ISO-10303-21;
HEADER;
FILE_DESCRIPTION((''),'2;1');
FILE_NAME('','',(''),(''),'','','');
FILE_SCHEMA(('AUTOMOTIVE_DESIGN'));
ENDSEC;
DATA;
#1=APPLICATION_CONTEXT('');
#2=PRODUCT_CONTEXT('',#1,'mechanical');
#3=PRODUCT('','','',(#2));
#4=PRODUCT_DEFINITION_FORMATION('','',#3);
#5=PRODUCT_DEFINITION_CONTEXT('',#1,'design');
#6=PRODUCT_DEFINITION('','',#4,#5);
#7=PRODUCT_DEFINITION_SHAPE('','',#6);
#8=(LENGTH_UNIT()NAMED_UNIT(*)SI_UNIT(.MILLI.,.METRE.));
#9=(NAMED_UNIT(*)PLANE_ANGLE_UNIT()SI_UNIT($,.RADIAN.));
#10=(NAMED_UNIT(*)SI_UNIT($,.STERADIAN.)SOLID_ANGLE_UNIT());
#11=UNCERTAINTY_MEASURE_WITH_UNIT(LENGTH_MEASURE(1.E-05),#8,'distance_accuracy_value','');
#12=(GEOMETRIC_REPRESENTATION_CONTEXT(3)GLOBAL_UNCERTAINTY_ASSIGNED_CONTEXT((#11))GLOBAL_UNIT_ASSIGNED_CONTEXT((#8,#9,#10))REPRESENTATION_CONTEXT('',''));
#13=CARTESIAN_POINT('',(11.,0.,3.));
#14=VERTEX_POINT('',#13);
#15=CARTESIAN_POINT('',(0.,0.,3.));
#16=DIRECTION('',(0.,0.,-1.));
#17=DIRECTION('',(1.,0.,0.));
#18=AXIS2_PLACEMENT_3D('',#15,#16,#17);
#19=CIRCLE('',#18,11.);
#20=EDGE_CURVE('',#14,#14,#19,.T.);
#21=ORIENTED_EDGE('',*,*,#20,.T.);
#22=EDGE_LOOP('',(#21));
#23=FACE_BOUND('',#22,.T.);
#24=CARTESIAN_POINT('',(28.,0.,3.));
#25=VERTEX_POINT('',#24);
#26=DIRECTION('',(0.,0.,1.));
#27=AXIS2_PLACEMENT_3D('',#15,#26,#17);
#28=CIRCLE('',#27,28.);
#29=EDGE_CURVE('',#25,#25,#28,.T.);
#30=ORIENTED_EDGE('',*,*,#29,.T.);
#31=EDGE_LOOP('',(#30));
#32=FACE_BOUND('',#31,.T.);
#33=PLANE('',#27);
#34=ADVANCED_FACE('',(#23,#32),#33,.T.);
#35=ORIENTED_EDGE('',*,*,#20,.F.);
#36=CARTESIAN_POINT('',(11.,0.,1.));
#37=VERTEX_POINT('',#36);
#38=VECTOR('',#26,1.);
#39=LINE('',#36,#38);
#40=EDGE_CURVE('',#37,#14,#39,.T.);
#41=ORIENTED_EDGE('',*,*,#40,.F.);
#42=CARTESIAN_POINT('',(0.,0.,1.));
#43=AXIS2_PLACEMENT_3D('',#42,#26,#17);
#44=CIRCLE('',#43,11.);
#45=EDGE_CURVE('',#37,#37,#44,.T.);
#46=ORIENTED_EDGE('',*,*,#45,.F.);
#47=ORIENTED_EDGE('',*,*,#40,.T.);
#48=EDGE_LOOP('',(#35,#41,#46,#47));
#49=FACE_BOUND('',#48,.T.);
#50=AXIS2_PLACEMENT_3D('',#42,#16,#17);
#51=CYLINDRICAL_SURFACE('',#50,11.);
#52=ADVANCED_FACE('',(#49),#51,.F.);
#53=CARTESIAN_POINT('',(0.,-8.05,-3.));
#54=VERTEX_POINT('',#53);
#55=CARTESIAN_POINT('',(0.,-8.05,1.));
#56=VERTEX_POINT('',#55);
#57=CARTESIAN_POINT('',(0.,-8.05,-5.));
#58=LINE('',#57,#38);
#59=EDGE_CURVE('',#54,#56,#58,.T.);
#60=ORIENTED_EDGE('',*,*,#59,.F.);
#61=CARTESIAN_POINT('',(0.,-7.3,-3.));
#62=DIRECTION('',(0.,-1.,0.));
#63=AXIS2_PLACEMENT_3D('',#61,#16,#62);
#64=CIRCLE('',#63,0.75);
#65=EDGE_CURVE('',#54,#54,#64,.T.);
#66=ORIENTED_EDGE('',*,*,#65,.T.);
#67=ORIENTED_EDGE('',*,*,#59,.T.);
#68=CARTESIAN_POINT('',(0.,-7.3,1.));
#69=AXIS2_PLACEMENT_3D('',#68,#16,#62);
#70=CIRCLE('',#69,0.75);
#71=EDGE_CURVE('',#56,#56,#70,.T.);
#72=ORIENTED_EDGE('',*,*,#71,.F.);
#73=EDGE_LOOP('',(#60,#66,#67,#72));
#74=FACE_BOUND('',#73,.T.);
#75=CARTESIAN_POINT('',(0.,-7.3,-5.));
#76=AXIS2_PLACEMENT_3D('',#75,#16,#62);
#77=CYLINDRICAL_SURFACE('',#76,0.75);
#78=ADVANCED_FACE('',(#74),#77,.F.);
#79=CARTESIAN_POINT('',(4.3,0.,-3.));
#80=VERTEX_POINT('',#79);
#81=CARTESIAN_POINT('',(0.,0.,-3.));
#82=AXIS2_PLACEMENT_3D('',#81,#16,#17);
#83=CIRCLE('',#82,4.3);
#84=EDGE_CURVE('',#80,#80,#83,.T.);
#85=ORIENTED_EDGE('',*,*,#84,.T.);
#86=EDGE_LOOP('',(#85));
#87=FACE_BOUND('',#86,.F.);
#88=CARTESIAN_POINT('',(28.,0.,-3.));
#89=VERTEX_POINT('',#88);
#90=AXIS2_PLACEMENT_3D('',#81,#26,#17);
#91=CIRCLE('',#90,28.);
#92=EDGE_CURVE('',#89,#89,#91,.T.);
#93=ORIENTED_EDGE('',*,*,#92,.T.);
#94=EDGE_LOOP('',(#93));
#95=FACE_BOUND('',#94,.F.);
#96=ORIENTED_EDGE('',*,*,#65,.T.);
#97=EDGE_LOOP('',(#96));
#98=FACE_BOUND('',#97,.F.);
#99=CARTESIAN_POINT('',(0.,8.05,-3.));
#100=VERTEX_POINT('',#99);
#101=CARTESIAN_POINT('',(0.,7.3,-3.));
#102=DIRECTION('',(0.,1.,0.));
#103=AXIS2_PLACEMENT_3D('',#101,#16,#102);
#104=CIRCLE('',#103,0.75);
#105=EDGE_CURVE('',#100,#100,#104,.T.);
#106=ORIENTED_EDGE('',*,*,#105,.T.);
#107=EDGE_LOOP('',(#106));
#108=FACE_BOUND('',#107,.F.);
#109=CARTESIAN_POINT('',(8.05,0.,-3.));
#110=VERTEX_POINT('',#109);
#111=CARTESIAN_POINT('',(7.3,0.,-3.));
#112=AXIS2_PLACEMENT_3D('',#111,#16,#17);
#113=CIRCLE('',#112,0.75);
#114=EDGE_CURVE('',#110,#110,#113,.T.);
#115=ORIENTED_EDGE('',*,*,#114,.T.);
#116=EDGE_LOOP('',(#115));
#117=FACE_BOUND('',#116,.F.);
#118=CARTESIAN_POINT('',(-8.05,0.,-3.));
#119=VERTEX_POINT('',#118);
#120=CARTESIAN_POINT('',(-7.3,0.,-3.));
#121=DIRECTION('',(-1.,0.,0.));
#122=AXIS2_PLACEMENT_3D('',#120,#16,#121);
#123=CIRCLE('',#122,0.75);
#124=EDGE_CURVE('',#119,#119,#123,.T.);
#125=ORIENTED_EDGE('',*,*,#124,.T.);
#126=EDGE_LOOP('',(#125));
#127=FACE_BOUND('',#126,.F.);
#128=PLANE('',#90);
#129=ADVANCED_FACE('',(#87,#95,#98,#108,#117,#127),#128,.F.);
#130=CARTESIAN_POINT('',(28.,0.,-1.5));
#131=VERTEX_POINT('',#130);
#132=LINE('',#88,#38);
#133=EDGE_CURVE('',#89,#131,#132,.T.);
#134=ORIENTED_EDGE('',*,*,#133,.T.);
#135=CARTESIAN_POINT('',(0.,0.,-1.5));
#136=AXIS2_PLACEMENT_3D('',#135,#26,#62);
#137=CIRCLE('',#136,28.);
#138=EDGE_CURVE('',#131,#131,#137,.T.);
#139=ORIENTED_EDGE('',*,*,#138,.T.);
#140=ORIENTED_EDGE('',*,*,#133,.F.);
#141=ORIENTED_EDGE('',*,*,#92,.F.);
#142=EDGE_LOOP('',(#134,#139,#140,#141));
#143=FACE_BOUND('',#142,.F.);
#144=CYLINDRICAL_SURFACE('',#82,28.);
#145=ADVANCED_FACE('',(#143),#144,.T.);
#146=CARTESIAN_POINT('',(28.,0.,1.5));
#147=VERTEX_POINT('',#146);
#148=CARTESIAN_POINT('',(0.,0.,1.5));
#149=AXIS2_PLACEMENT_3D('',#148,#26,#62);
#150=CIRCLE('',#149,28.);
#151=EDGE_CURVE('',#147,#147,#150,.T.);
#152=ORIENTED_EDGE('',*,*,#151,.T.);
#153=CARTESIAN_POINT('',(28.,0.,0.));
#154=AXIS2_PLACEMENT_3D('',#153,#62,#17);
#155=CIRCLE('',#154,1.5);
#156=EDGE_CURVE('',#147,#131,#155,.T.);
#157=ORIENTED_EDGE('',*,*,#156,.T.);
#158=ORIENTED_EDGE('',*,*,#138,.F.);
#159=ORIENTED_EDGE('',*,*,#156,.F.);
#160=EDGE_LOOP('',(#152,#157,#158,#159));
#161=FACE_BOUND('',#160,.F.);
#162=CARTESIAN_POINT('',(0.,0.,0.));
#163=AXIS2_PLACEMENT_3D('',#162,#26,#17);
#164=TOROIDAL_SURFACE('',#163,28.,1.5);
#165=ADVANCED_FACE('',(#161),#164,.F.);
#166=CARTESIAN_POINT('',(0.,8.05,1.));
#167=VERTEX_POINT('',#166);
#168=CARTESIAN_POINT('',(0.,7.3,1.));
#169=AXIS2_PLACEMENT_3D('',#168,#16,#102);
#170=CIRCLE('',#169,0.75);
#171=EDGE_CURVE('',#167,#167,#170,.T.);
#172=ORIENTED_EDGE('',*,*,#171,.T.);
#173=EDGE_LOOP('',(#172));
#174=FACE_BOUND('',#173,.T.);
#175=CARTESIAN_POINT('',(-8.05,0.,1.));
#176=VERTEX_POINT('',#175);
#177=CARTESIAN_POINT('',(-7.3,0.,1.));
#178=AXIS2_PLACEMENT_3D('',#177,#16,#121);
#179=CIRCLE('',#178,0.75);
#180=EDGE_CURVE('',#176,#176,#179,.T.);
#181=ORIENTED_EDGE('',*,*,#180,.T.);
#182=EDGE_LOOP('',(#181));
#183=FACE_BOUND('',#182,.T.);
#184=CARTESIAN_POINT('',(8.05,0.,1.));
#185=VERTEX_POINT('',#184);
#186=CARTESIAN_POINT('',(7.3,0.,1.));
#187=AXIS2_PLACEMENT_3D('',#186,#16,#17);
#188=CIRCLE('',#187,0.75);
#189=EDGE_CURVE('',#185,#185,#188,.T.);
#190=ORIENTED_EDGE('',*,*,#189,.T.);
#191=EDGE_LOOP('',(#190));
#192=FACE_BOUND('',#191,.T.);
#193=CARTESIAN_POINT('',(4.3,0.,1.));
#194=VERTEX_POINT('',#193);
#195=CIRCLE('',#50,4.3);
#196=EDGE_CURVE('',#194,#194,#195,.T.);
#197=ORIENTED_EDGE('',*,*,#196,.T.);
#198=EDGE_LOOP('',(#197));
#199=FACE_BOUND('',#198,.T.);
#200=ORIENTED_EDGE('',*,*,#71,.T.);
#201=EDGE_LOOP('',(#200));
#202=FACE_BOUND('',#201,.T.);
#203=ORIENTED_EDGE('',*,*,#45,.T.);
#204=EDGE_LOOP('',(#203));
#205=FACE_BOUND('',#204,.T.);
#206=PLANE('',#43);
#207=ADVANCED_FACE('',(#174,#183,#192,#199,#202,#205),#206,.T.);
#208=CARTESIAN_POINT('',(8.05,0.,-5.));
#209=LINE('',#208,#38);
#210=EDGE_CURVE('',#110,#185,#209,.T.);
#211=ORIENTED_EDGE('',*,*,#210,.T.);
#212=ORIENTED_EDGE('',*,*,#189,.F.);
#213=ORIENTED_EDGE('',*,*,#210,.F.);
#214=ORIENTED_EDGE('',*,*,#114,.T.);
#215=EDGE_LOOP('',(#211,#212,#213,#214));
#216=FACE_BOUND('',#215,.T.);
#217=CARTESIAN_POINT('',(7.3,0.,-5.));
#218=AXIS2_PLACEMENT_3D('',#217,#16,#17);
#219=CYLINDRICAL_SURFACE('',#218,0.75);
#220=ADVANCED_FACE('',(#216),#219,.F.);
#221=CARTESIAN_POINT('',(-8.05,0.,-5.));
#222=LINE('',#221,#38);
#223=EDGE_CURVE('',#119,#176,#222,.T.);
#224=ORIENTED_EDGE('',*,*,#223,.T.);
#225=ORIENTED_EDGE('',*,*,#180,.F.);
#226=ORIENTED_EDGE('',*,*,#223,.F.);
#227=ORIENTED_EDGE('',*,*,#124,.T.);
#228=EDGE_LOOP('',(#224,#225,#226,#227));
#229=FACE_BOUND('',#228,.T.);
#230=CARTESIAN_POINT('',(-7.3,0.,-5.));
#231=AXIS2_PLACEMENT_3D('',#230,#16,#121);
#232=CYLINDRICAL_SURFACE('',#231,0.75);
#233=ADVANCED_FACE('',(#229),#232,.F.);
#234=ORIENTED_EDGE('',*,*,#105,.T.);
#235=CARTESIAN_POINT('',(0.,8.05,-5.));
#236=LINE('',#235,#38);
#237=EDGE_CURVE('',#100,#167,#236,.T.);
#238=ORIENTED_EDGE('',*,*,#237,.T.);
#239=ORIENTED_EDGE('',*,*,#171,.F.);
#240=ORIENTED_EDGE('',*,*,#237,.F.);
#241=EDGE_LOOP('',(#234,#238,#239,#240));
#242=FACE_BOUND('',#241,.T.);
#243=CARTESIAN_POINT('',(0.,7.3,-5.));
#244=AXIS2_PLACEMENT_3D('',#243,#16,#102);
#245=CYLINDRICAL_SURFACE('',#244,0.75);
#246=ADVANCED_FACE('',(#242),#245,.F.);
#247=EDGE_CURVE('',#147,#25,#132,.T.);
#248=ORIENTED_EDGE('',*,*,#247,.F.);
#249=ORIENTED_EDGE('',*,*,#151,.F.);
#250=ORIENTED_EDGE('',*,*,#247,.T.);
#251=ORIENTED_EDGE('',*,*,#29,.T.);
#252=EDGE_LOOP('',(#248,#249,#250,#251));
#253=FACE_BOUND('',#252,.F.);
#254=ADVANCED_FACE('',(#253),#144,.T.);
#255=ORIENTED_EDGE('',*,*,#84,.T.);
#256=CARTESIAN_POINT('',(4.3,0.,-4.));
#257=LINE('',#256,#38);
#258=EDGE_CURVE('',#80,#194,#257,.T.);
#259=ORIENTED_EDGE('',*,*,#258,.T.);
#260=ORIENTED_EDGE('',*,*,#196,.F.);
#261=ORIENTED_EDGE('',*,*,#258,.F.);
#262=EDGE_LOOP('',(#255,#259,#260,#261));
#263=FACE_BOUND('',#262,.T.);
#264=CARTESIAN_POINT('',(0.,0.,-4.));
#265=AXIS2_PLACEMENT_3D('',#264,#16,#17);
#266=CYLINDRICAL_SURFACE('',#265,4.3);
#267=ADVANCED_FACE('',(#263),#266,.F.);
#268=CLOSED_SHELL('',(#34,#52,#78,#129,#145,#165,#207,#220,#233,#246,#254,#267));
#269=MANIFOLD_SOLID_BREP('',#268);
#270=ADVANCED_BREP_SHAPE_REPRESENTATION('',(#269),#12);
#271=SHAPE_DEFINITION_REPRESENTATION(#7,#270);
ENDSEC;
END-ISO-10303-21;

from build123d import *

# Parameters (mm, degrees)
CYLINDER003_R     = 0.75
CYLINDER003_DEPTH = 10
ARRAY_COUNT       = 4
CYLINDER002_R     = 4.3
CYLINDER002_DEPTH = 10
CYLINDER001_R     = 11
CYLINDER001_DEPTH = 10
TORUS_R           = 1.5
CYLINDER_R        = 28
CYLINDER_DEPTH    = 6


with BuildPart() as array:
    # Cylinder003 → Cylinder003 (new body)
    with BuildSketch(Plane(origin=(7.3, 0, -5), x_dir=(1, 0, 0), z_dir=(0, 0, 1))):
        Circle(CYLINDER003_R)
    extrude(amount=CYLINDER003_DEPTH)

    # Array: Array ×4 about axis
    array_axis = Axis((0, 0, 0), (0, 0, 1))


with BuildPart() as array_1:
    add(array.part)
    for i in range(1, ARRAY_COUNT):
        add(array.part.rotate(array_axis, i * 360 / ARRAY_COUNT))


with BuildPart() as hueco_del_eje:
    # Cylinder002 → Cylinder002 (new body)
    with BuildSketch(Plane.XY.offset(-4)):
        Circle(CYLINDER002_R)
    extrude(amount=CYLINDER002_DEPTH)


with BuildPart() as corona_servo:
    # Cylinder001 → Cylinder001 (new body)
    with BuildSketch(Plane.XY.offset(1)):
        Circle(CYLINDER001_R)
    extrude(amount=CYLINDER001_DEPTH)


with BuildPart() as hueco_junta_t_rica:
    # Torus → Torus (revolve)
    with BuildSketch(Plane.XZ):
        with Locations((28, 0)):
            Circle(TORUS_R)
    revolve(axis=Axis((0, 0, 0), (0, 0, 1)))


with BuildPart() as rueda_miniskybot:
    # Cylinder → Cylinder (new body)
    with BuildSketch(Plane.XY.offset(-3)):
        Circle(CYLINDER_R)
    extrude(amount=CYLINDER_DEPTH)

    # Cut: cut Hueco-Junta tórica
    add(hueco_junta_t_rica.part, mode=Mode.SUBTRACT)

    # Cut001: cut Corona servo
    add(corona_servo.part, mode=Mode.SUBTRACT)

    # Cut002: cut Hueco del eje
    add(hueco_del_eje.part, mode=Mode.SUBTRACT)

    # Cut003: cut Array
    add(array_1.part, mode=Mode.SUBTRACT)


solid = rueda_miniskybot.part
